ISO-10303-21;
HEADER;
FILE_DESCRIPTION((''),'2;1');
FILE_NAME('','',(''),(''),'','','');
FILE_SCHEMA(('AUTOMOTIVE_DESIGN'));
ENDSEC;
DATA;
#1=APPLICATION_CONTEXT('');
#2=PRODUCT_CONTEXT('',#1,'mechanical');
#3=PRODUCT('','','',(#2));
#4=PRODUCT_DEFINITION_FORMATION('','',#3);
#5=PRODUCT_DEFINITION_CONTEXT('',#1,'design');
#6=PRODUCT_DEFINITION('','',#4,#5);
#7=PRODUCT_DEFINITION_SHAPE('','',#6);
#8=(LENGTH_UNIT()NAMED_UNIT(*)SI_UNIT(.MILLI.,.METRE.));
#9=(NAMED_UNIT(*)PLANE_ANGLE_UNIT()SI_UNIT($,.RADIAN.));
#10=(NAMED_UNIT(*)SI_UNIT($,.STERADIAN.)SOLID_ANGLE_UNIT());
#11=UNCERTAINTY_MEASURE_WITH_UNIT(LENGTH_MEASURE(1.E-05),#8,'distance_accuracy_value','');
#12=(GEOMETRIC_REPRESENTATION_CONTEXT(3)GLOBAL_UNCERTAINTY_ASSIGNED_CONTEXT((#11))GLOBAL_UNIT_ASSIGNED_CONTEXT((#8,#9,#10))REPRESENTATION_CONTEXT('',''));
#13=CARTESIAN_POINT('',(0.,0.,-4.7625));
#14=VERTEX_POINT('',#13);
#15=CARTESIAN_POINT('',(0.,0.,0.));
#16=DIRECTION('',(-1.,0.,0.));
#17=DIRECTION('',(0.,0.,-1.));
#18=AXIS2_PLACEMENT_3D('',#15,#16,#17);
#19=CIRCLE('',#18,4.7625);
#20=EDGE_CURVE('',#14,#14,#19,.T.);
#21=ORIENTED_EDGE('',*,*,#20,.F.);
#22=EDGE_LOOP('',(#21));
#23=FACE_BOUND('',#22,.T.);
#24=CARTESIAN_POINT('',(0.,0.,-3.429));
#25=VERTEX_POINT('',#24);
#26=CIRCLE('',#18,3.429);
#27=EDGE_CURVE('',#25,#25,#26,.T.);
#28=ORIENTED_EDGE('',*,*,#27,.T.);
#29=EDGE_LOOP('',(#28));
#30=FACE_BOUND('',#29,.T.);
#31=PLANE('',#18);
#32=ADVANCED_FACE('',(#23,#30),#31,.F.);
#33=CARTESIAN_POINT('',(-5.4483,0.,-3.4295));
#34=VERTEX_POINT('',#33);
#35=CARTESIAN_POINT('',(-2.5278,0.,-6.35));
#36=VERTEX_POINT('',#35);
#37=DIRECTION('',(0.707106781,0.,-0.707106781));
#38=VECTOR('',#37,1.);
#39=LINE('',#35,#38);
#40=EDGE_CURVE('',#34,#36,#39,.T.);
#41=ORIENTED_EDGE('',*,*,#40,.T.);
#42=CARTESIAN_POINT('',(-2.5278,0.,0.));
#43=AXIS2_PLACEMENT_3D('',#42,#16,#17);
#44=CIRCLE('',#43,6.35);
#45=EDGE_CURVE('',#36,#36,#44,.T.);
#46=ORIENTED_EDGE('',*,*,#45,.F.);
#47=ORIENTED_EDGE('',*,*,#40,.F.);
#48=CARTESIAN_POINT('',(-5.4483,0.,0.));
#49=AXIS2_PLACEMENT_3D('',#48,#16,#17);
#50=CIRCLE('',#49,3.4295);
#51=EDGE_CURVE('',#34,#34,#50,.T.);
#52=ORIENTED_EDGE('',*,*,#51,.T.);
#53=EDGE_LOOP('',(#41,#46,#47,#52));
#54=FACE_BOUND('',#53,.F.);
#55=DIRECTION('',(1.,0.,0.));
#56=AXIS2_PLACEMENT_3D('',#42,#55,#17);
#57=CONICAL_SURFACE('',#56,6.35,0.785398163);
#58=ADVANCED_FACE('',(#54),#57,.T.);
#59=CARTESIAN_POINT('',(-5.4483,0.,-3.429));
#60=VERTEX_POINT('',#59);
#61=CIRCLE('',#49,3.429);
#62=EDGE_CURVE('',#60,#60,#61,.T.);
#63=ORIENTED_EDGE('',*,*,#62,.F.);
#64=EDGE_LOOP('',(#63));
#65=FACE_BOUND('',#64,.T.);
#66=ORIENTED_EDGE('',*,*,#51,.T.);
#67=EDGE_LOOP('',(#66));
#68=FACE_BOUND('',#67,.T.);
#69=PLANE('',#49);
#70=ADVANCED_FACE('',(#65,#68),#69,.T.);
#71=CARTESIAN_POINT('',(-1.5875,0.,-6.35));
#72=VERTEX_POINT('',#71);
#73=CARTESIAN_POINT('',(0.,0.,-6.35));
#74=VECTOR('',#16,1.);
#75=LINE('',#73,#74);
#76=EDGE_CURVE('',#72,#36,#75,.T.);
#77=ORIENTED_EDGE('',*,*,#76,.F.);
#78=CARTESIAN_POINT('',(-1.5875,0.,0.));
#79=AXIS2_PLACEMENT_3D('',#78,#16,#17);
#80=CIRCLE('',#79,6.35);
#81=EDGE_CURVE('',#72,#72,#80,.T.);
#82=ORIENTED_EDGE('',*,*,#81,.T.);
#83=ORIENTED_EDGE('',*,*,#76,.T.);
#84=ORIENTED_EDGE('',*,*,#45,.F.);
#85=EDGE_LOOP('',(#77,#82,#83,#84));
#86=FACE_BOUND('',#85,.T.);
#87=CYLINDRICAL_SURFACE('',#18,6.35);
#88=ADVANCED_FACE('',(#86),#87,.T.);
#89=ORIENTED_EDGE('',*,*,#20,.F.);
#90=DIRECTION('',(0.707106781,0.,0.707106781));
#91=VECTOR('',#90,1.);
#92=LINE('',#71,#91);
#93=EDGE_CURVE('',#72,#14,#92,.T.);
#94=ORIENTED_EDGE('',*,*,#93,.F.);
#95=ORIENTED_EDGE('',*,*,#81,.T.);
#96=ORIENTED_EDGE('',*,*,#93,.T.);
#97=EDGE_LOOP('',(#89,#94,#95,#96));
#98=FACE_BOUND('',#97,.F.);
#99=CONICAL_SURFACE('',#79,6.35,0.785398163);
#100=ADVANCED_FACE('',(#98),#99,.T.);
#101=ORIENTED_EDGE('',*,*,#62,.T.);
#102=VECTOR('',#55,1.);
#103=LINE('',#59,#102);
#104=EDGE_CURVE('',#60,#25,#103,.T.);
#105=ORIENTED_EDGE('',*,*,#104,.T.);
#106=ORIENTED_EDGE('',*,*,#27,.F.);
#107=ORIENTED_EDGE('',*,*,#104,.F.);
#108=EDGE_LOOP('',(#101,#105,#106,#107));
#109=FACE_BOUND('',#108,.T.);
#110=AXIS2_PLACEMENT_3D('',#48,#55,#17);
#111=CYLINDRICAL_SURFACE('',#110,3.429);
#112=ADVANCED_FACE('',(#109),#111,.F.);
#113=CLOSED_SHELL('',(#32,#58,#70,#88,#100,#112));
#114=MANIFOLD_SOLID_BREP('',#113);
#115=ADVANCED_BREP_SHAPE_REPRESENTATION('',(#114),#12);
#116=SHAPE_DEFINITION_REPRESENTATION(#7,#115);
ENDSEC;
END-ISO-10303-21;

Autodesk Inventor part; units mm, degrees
ref_plane "YZ Plane" through (0, 0, 0) normal (1, 0, 0) x (0, 1, 0)
ref_plane "XZ Plane" through (0, 0, 0) normal (0, 1, 0) x (-1, 0, 0)
ref_plane "XY Plane" through (0, 0, 0) normal (0, 0, 1) x (1, 0, 0)
sketch "Sketch1" plane through (0, 0, 0) normal (0, 1, 0) x (-1, 0, 0)
  line L0 (0, 0) -> (5.4483, 0)
  line L1 (5.4483, 0) -> (5.4483, -3.429) construction
  line L2 (5.4483, -3.429) -> (0, -3.429)
  line L3 (0, -3.429) -> (0, 0) construction
  line L4 (5.4483, -3.429) -> (0, -3.429)
  line L5 (0, -3.429) -> (0, -6.35)
  line L6 (0, -6.35) -> (5.4483, -6.35)
  line L7 (5.4483, -6.35) -> (5.4483, -3.429)
  dimension "d0" = 5.4483
  dimension "d1" = 3.429
  dimension "d2" = 6.35
revolve "Revolution1" add sketch "Sketch1" angle 360 about axis through (0, 0, 0) along (-1, 0, 0)
chamfer "Chamfer1" distance 2.921 angle 45 1 edges at (-5.4483, 0, 6.35)
chamfer "Chamfer2" distance 1.5875 angle 45 1 edges at (0, 0, 6.35)
properties part number "Spacer" material "Nylon 6/6"
